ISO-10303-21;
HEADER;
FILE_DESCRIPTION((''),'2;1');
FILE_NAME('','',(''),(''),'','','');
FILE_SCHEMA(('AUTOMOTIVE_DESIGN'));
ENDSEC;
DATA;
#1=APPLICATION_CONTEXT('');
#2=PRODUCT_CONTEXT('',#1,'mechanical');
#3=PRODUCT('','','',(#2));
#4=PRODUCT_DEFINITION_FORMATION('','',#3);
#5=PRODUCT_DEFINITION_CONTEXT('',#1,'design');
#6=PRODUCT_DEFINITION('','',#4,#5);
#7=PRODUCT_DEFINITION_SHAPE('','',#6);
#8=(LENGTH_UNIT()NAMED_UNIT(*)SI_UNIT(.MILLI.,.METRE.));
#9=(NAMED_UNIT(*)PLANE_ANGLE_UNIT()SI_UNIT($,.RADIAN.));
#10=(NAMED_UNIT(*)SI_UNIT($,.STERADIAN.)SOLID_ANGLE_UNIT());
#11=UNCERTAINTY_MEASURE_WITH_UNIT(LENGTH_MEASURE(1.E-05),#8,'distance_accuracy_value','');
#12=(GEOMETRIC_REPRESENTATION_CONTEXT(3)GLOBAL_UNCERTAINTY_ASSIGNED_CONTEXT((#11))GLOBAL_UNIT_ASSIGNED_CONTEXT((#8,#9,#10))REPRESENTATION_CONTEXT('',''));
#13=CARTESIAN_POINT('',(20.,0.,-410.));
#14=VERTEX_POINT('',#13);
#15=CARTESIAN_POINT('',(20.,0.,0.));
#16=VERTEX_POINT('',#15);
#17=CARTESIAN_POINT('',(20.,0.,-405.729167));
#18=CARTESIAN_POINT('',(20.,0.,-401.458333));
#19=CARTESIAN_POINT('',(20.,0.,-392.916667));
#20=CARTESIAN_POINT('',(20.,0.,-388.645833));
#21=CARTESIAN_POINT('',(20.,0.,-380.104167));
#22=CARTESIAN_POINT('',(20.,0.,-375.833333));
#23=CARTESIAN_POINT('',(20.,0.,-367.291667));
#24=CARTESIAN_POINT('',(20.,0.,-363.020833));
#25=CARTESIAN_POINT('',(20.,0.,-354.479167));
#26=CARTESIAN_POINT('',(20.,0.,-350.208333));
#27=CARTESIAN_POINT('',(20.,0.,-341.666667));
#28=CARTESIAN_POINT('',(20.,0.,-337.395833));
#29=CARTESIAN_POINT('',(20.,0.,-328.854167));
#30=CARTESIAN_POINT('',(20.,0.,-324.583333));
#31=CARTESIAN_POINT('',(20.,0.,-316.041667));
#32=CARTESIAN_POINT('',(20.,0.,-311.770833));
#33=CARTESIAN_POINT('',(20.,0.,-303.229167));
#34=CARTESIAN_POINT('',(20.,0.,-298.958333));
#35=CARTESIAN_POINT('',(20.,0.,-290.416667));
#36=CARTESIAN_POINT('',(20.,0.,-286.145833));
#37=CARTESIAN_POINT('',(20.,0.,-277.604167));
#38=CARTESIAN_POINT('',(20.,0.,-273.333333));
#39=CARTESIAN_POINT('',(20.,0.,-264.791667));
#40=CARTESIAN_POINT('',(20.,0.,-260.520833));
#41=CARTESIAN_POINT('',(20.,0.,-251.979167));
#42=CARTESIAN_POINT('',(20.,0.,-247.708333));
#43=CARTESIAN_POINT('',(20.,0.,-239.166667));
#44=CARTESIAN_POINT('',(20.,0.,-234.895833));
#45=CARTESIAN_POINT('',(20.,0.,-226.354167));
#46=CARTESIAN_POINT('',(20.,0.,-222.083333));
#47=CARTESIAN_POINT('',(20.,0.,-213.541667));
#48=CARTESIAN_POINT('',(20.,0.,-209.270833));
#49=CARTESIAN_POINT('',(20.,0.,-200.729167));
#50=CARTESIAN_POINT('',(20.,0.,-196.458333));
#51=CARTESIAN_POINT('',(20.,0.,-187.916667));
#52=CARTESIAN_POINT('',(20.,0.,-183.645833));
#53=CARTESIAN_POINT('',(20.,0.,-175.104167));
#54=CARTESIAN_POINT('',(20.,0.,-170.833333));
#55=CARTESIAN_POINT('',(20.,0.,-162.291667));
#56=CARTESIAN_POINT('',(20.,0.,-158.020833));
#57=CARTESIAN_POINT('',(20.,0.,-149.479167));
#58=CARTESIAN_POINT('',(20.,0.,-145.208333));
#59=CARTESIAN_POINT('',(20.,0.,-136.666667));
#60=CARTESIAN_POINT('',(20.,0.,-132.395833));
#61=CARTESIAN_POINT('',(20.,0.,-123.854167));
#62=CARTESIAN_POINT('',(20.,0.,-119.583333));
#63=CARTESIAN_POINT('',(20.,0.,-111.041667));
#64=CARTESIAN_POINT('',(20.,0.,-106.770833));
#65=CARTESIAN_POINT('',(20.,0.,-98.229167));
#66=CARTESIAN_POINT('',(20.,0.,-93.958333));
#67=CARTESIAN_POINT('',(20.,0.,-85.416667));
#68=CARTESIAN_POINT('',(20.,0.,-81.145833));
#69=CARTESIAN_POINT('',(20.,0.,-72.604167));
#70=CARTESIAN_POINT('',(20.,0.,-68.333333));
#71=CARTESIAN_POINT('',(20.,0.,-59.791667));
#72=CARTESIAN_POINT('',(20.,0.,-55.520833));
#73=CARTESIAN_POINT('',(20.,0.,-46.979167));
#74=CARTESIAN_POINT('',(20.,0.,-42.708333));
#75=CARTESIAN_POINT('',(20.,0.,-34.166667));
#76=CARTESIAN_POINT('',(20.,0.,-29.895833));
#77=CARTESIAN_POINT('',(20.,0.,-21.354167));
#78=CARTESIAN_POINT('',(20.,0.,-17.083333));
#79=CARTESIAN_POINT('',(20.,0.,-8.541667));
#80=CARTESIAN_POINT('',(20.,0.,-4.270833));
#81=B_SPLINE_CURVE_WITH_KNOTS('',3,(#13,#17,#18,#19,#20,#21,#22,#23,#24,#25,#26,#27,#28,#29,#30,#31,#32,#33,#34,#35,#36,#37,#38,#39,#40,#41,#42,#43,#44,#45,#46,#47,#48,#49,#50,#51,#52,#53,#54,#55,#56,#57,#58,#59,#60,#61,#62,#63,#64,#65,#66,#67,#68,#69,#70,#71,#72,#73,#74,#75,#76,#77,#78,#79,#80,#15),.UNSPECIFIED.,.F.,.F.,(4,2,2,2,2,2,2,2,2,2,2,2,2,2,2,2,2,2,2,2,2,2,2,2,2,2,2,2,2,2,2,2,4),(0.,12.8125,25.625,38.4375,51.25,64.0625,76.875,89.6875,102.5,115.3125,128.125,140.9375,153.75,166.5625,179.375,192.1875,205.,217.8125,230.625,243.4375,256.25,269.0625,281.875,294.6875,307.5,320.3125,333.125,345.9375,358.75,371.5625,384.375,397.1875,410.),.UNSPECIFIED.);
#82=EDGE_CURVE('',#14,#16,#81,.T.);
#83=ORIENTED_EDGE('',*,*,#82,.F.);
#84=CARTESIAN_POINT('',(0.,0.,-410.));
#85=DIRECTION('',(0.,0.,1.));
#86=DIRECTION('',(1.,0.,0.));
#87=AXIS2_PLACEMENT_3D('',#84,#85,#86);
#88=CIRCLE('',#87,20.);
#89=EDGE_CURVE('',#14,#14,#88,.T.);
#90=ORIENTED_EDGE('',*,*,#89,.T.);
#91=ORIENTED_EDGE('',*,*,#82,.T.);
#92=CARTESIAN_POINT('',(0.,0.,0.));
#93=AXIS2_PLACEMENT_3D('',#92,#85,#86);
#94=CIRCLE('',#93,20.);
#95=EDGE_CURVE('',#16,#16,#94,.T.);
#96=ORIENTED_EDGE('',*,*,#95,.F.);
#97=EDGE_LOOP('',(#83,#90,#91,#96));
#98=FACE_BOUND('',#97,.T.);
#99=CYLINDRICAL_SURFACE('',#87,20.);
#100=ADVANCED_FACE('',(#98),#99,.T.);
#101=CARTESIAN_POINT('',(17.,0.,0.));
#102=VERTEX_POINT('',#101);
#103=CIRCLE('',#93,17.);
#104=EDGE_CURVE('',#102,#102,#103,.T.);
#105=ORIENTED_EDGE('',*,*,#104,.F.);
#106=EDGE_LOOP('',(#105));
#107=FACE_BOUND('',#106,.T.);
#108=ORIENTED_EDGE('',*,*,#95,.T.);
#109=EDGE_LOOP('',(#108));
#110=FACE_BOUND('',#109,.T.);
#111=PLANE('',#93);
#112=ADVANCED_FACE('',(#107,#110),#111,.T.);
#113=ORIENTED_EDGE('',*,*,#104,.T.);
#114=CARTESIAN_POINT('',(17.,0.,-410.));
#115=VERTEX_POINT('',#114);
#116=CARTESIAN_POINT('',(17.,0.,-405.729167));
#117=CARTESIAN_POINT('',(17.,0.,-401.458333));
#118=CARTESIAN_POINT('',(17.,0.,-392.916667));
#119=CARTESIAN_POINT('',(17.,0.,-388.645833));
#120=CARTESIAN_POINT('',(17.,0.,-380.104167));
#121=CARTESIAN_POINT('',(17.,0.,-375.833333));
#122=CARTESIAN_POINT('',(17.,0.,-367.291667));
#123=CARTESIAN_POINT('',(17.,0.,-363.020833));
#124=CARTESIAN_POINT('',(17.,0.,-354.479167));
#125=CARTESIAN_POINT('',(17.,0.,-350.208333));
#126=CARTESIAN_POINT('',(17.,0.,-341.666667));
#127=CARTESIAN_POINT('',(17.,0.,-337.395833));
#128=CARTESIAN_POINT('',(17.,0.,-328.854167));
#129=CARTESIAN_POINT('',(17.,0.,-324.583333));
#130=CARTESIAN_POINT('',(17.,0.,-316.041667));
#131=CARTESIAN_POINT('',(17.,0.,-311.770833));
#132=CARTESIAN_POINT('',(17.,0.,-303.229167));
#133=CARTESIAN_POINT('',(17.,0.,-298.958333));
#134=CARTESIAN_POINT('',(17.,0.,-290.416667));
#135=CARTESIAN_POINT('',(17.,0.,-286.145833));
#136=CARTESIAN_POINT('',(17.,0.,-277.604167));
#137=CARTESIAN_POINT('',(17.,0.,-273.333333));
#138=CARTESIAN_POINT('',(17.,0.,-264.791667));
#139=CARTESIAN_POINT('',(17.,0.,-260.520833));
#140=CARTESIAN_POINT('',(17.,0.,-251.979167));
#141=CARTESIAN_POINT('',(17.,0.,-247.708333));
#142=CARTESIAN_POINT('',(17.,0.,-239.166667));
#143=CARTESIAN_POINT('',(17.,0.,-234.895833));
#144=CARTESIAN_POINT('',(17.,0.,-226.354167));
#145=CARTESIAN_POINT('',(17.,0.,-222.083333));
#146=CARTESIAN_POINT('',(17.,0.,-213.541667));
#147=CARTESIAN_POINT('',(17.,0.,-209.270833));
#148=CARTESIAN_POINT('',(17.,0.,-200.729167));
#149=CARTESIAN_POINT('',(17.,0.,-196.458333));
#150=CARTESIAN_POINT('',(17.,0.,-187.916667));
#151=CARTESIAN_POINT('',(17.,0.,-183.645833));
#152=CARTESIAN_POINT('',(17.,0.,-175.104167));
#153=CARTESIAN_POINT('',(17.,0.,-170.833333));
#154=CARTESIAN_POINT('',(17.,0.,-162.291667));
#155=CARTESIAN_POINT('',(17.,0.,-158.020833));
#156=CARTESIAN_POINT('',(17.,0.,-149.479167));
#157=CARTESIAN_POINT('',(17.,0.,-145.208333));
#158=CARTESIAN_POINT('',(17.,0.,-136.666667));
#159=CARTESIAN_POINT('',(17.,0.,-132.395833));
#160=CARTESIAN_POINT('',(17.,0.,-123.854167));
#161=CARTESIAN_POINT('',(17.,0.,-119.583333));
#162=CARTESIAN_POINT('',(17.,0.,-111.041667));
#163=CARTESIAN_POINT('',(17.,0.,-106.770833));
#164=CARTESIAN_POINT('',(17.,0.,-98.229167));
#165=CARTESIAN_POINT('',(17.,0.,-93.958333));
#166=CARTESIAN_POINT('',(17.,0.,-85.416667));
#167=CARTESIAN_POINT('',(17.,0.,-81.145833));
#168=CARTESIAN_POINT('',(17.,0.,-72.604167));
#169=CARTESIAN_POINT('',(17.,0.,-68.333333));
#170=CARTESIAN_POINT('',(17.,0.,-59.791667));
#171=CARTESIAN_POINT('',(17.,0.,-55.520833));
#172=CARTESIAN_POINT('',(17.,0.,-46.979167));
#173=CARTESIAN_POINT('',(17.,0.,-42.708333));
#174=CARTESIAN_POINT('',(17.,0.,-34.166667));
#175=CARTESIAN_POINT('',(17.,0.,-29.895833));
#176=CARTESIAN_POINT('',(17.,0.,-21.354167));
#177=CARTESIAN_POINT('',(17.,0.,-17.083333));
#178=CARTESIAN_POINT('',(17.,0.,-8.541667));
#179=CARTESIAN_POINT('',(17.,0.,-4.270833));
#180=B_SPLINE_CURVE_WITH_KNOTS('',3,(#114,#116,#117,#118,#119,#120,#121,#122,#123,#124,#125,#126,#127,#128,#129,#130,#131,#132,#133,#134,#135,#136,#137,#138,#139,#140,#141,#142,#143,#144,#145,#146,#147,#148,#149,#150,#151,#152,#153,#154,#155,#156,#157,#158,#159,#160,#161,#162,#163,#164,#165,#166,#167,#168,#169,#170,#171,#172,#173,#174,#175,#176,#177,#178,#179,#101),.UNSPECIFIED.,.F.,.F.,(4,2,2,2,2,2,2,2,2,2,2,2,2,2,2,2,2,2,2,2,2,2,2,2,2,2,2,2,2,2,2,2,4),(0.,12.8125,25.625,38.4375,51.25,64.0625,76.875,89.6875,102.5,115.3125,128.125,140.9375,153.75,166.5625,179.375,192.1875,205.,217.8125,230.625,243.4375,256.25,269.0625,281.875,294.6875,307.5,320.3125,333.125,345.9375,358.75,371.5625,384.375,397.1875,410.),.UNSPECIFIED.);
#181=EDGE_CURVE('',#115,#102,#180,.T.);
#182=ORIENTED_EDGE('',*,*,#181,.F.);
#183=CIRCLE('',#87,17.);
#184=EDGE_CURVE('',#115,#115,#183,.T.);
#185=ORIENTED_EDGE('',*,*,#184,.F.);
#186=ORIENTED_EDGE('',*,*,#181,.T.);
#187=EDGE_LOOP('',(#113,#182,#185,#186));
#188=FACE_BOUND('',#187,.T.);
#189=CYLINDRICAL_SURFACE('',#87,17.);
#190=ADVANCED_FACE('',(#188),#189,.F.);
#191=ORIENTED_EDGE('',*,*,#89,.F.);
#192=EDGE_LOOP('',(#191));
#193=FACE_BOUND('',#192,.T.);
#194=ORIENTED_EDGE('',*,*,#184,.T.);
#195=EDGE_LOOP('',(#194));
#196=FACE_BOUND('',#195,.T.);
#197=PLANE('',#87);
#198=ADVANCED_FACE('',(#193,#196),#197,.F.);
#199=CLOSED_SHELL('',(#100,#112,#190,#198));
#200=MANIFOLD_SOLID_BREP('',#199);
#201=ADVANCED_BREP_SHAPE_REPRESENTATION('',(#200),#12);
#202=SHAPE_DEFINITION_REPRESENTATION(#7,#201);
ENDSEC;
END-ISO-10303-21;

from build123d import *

# Parameters (mm, degrees)
SKETCH1_R           = 20
BOSS_EXTRUDE1_DEPTH = 410
SKETCH2_R           = 17
CUT_EXTRUDE1_DEPTH  = 411.974451761


with BuildPart() as part:
    # Sketch1 → Boss-Extrude1 (new body)
    with BuildSketch(Plane.XY):
        Circle(SKETCH1_R)
    extrude(amount=-BOSS_EXTRUDE1_DEPTH)

    # Sketch2 → Cut-Extrude1 (cut, through all)
    with BuildSketch(Plane.XY):
        Circle(SKETCH2_R)
    extrude(amount=-CUT_EXTRUDE1_DEPTH, mode=Mode.SUBTRACT)


solid = part.part
